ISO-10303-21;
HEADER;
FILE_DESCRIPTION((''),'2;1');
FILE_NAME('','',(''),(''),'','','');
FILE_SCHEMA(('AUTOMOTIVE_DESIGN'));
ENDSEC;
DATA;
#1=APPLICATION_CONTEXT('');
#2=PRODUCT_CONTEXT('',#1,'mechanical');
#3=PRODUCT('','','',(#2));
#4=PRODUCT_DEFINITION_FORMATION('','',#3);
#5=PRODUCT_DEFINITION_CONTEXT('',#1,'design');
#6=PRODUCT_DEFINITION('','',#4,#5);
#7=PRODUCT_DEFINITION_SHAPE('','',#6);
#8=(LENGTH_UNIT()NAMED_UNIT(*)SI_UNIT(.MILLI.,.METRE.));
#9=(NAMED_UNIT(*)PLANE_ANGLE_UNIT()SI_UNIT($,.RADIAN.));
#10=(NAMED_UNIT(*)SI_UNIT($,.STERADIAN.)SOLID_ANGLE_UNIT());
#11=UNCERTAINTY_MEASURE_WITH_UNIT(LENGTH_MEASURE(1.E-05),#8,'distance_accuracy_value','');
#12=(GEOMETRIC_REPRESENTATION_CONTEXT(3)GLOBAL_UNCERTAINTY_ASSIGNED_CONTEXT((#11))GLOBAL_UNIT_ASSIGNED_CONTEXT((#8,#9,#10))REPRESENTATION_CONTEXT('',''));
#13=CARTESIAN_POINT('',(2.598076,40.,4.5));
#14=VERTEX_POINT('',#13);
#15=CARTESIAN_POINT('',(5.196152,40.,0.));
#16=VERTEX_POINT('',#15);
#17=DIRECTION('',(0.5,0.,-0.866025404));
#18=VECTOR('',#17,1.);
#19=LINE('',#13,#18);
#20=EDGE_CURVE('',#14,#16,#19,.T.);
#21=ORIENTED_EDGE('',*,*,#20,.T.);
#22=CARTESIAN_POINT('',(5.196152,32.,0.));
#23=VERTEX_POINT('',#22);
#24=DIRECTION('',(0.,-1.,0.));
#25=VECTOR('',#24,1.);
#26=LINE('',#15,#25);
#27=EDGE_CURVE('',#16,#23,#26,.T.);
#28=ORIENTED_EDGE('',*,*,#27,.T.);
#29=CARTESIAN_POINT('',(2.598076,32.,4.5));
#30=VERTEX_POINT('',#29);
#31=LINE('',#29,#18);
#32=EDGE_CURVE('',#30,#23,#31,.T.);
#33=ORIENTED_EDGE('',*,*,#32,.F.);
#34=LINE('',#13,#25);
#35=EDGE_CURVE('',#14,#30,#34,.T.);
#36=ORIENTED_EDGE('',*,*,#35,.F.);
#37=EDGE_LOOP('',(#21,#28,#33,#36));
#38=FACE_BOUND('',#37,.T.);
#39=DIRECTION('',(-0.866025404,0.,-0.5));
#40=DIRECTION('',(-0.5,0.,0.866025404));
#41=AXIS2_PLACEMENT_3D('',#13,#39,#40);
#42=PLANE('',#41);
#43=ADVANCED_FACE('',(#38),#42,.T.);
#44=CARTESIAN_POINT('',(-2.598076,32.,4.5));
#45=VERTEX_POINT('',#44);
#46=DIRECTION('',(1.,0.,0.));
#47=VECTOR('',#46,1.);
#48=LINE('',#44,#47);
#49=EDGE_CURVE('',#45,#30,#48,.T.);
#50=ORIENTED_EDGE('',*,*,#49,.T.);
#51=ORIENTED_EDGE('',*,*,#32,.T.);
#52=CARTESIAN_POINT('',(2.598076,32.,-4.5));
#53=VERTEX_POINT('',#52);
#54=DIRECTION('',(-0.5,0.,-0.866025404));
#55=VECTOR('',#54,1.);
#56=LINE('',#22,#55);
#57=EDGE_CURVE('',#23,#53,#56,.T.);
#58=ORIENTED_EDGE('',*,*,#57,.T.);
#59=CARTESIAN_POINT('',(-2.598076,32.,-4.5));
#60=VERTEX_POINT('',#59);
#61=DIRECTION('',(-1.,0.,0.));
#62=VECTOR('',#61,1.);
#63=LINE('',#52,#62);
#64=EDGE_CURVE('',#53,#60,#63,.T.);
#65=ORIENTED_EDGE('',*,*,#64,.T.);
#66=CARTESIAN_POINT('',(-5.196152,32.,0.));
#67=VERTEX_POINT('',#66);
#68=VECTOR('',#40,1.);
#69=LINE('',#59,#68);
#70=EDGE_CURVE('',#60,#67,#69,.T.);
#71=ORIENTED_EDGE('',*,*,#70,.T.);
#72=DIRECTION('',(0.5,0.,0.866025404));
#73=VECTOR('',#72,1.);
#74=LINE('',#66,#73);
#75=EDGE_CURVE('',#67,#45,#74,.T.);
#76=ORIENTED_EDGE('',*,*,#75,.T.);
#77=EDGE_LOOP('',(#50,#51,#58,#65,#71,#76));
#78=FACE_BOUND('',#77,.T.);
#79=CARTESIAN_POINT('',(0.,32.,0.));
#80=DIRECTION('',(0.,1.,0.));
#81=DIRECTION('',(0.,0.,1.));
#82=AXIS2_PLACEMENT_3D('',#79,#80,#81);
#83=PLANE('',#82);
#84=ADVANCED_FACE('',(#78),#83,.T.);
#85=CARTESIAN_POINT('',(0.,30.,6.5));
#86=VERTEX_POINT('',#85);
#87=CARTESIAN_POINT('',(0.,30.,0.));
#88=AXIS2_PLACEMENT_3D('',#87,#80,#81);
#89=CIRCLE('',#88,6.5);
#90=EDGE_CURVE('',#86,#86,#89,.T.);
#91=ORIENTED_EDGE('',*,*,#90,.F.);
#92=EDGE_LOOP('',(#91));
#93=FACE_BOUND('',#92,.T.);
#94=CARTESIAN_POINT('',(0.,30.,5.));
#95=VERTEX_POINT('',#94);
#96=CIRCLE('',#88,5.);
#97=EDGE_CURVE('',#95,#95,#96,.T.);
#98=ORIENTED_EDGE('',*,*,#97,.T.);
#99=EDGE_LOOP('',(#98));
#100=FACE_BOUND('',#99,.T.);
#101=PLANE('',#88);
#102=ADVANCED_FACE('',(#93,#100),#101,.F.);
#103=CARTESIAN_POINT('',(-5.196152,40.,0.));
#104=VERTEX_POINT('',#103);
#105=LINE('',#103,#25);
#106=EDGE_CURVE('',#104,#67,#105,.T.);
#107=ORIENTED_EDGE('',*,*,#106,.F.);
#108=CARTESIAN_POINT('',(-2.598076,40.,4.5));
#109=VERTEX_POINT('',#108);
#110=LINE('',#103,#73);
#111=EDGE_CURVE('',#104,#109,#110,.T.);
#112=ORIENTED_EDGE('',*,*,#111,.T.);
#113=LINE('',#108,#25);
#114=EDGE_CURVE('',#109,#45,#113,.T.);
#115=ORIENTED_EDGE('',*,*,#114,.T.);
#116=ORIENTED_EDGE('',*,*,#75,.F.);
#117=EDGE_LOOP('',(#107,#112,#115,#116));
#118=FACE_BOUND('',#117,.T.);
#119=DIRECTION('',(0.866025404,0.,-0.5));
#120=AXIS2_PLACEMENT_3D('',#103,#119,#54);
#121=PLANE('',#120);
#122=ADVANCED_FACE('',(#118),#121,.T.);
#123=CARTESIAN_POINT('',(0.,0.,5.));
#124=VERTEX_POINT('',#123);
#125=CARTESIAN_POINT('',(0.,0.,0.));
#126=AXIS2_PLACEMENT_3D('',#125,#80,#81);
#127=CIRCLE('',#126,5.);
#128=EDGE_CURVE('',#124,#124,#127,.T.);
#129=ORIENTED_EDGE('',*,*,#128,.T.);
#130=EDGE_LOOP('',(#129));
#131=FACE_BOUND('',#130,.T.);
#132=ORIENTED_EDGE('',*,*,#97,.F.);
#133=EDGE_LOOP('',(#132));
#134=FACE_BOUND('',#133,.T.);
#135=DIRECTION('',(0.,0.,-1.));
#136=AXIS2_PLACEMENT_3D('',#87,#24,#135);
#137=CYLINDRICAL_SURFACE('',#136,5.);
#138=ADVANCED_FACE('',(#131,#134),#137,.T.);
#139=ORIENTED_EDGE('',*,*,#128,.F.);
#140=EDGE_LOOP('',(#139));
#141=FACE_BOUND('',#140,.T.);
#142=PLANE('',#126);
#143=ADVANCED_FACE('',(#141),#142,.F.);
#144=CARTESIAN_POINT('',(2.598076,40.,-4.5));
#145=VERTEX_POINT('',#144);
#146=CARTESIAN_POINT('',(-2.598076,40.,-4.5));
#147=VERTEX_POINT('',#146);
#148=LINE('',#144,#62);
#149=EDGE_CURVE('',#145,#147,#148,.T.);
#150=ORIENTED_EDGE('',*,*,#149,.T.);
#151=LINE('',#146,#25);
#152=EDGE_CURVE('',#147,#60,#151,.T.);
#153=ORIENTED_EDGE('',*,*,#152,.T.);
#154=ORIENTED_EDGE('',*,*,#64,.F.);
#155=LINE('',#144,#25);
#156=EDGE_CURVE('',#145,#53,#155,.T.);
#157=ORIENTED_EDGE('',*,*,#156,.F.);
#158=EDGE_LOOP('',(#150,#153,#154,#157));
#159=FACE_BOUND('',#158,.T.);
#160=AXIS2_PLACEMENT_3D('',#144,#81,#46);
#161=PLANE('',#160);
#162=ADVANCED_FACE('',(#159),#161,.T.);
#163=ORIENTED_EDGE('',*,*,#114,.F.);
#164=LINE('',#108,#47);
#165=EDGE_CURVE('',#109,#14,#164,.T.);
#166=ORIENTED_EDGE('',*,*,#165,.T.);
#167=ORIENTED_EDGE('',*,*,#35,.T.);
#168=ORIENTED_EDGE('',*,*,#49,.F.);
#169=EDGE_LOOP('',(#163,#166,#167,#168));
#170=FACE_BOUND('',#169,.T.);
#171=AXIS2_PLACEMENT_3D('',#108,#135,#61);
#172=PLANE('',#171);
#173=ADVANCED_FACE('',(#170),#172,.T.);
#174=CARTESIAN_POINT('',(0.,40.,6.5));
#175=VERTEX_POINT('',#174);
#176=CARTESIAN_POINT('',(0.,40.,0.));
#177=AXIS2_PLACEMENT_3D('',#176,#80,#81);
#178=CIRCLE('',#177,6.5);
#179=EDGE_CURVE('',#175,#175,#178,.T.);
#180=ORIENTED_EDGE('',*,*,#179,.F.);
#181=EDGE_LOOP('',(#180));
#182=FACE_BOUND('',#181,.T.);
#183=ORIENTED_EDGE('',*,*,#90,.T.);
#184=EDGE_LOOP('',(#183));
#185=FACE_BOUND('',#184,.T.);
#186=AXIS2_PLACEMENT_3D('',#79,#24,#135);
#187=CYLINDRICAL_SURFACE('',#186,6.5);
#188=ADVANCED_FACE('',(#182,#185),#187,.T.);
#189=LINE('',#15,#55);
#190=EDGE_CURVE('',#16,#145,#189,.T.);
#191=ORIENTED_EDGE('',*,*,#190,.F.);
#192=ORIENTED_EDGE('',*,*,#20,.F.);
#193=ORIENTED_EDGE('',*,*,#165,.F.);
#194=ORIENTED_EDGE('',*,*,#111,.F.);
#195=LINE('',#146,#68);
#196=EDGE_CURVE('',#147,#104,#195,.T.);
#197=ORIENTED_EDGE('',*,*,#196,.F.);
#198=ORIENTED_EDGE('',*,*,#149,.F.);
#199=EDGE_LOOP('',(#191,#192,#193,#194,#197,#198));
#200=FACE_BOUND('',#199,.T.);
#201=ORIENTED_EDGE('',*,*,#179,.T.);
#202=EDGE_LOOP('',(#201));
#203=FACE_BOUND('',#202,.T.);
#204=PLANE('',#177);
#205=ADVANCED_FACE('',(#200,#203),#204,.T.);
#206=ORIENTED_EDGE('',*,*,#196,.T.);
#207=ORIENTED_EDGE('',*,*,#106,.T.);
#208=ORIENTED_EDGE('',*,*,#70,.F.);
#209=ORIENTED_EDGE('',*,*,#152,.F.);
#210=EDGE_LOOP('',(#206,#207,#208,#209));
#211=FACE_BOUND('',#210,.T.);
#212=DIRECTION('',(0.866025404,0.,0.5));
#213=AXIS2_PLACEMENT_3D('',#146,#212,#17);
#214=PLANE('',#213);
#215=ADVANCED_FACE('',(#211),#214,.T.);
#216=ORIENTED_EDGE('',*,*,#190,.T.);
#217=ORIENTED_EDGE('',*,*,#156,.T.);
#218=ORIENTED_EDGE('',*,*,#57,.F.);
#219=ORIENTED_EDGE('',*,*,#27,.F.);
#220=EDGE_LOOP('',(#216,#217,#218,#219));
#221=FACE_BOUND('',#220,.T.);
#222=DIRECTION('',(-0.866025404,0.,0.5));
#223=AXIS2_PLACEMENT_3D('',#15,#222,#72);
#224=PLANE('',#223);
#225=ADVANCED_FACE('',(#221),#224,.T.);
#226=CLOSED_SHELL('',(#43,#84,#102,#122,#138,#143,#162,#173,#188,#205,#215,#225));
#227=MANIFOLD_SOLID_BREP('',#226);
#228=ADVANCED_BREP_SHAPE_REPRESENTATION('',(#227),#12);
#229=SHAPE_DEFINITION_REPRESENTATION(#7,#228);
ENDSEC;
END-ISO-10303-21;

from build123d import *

# Parameters (mm, degrees)
SKETCH1_R           = 5
BOSS_EXTRUDE1_DEPTH = 30
SKETCH2_R           = 6.5
BOSS_EXTRUDE2_DEPTH = 2
SKETCH3_R           = 6.5
BOSS_EXTRUDE3_DEPTH = 8


with BuildPart() as part:
    # Sketch1 → Boss-Extrude1 (new body)
    with BuildSketch(Plane(origin=(0, 0, 0), x_dir=(1, 0, 0), z_dir=(0, 1, 0))):
        Circle(SKETCH1_R)
    extrude(amount=BOSS_EXTRUDE1_DEPTH)

    # Sketch2 → Boss-Extrude2 (add)
    with BuildSketch(Plane(origin=(0, 30, 0), x_dir=(1, 0, 0), z_dir=(0, 1, 0))):
        Circle(SKETCH2_R)
    extrude(amount=BOSS_EXTRUDE2_DEPTH)

    # Sketch3 → Boss-Extrude3 (add)
    with BuildSketch(Plane(origin=(0, 32, 0), x_dir=(1, 0, 0), z_dir=(0, 1, 0))):
        Circle(SKETCH3_R)
        Polygon((5.196152423, 0), (2.598076211, 4.5), (-2.598076211, 4.5), (-5.196152423, 0), (-2.598076211, -4.5), (2.598076211, -4.5), align=None, mode=Mode.SUBTRACT)
    extrude(amount=BOSS_EXTRUDE3_DEPTH)


solid = part.part
